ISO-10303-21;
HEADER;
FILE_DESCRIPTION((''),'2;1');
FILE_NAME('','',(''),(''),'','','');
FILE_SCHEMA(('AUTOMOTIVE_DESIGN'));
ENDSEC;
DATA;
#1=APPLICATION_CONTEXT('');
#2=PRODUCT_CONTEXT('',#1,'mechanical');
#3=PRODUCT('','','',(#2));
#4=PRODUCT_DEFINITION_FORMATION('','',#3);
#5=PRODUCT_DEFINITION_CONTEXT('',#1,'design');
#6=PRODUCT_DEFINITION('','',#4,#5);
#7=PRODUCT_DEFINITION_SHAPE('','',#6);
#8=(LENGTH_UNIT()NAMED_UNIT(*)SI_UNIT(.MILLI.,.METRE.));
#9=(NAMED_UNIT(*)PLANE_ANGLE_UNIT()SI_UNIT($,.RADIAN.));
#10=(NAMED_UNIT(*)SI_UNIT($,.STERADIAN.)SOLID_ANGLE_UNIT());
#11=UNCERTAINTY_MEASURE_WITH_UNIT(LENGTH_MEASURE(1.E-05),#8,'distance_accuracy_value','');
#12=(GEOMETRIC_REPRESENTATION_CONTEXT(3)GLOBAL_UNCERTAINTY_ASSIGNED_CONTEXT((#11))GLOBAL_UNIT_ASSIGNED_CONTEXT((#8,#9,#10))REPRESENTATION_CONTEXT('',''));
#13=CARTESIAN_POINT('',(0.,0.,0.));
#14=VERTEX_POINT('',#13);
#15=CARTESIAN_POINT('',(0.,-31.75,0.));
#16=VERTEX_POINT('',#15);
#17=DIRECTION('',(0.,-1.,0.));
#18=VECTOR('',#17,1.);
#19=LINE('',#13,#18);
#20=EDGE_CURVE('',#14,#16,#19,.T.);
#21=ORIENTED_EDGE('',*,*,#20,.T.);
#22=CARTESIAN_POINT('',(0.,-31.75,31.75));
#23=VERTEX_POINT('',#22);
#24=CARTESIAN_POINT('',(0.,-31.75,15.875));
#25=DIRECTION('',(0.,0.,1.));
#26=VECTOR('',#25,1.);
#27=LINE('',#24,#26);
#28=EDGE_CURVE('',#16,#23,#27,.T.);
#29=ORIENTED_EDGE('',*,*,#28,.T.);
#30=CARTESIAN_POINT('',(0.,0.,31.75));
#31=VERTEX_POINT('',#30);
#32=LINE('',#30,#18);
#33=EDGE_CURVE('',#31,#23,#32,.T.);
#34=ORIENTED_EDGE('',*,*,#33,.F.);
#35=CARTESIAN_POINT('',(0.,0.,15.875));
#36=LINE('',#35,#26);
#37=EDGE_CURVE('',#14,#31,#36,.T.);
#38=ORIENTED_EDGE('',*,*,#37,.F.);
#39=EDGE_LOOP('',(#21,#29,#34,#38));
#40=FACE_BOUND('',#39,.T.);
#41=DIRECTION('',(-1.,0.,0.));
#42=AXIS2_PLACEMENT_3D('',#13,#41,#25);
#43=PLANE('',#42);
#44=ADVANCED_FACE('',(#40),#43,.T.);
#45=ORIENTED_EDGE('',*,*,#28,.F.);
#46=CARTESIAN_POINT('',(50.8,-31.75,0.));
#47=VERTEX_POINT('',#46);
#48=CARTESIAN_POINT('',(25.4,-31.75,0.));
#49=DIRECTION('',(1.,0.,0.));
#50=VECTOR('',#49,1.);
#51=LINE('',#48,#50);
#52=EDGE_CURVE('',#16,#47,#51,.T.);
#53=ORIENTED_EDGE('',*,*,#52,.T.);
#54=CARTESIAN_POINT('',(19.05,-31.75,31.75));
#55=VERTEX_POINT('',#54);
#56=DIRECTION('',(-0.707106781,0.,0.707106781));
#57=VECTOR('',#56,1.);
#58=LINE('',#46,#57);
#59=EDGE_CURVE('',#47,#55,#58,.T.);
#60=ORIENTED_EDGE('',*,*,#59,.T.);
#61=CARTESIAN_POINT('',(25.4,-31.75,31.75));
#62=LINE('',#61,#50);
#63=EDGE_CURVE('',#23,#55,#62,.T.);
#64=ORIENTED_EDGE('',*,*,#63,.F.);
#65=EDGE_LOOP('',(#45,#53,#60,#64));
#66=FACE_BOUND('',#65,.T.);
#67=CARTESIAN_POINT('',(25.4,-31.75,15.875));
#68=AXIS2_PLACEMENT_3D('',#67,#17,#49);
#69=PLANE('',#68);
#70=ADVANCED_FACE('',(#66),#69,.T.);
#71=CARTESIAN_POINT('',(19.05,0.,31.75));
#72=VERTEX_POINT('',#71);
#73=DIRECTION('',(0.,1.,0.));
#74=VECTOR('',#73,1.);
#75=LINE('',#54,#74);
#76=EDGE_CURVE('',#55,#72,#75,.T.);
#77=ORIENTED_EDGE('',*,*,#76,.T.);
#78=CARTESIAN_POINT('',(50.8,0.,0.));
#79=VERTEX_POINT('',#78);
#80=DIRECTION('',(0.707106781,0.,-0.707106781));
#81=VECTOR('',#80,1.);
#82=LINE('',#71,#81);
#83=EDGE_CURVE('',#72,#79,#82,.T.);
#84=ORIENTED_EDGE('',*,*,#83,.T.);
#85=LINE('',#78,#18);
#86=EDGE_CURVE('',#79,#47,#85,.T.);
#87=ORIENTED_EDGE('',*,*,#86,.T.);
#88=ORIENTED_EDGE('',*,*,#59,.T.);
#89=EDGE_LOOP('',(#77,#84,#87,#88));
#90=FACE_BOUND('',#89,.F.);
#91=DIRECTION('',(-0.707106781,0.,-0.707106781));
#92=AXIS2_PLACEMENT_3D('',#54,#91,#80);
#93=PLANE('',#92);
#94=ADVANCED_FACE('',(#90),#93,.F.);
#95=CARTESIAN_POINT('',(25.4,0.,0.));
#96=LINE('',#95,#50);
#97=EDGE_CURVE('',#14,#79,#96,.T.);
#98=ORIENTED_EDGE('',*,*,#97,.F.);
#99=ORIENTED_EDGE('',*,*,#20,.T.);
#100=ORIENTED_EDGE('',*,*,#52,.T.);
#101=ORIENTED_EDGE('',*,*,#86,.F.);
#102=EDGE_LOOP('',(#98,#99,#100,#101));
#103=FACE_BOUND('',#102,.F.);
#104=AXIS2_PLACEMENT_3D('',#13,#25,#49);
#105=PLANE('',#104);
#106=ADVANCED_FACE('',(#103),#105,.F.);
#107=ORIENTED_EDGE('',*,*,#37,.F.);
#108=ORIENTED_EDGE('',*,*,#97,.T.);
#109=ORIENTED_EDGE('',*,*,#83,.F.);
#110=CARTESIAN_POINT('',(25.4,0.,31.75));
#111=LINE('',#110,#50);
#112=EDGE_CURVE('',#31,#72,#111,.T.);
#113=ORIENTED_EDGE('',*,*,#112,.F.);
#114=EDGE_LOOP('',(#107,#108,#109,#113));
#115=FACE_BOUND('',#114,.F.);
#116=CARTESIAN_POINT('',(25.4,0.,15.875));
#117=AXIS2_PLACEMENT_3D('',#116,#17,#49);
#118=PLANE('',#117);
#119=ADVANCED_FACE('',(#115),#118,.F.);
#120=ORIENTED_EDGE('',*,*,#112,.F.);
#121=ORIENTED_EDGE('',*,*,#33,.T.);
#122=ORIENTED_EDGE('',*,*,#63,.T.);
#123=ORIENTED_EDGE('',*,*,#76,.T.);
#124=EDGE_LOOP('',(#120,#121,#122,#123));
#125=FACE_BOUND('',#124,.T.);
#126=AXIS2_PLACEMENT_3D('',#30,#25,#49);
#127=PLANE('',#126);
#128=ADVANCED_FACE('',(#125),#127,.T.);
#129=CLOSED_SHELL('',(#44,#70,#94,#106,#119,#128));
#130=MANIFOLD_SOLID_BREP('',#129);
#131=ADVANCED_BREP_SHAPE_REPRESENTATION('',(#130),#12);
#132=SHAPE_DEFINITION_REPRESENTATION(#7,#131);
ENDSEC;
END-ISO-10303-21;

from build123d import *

# Parameters (mm, degrees)
F0_W     = 50.8
F0_H     = 31.75
F1_DEPTH = 31.75
F3_DEPTH = 31.75
F4_W     = 22.45064
F4_H     = 31.75
F5_DEPTH = 17.018


with BuildPart() as f1:
    # F0 (on Front) → F1 (new body)
    with BuildSketch(Plane.XZ):
        with Locations((25.4, 15.875)):
            Rectangle(F0_W, F0_H)
    extrude(amount=F1_DEPTH)

    # F2 (on face) → F3 (cut)
    with BuildSketch(Plane.XZ.offset(31.75)):
        Polygon((50.8, 31.75), (19.05, 31.75), (50.8, 0), align=None)
    extrude(amount=-F3_DEPTH, mode=Mode.SUBTRACT)

    # F4 (on face) → F5 (cut)
    with BuildSketch(Plane(origin=(25.4, 0, 25.4), x_dir=(0.707107, 0, -0.707107), z_dir=(0.707107, 0, 0.707107))):
        with Locations((24.695704, -15.875)):
            Rectangle(F4_W, F4_H)
    extrude(amount=F5_DEPTH, mode=Mode.SUBTRACT)


solid = f1.part
